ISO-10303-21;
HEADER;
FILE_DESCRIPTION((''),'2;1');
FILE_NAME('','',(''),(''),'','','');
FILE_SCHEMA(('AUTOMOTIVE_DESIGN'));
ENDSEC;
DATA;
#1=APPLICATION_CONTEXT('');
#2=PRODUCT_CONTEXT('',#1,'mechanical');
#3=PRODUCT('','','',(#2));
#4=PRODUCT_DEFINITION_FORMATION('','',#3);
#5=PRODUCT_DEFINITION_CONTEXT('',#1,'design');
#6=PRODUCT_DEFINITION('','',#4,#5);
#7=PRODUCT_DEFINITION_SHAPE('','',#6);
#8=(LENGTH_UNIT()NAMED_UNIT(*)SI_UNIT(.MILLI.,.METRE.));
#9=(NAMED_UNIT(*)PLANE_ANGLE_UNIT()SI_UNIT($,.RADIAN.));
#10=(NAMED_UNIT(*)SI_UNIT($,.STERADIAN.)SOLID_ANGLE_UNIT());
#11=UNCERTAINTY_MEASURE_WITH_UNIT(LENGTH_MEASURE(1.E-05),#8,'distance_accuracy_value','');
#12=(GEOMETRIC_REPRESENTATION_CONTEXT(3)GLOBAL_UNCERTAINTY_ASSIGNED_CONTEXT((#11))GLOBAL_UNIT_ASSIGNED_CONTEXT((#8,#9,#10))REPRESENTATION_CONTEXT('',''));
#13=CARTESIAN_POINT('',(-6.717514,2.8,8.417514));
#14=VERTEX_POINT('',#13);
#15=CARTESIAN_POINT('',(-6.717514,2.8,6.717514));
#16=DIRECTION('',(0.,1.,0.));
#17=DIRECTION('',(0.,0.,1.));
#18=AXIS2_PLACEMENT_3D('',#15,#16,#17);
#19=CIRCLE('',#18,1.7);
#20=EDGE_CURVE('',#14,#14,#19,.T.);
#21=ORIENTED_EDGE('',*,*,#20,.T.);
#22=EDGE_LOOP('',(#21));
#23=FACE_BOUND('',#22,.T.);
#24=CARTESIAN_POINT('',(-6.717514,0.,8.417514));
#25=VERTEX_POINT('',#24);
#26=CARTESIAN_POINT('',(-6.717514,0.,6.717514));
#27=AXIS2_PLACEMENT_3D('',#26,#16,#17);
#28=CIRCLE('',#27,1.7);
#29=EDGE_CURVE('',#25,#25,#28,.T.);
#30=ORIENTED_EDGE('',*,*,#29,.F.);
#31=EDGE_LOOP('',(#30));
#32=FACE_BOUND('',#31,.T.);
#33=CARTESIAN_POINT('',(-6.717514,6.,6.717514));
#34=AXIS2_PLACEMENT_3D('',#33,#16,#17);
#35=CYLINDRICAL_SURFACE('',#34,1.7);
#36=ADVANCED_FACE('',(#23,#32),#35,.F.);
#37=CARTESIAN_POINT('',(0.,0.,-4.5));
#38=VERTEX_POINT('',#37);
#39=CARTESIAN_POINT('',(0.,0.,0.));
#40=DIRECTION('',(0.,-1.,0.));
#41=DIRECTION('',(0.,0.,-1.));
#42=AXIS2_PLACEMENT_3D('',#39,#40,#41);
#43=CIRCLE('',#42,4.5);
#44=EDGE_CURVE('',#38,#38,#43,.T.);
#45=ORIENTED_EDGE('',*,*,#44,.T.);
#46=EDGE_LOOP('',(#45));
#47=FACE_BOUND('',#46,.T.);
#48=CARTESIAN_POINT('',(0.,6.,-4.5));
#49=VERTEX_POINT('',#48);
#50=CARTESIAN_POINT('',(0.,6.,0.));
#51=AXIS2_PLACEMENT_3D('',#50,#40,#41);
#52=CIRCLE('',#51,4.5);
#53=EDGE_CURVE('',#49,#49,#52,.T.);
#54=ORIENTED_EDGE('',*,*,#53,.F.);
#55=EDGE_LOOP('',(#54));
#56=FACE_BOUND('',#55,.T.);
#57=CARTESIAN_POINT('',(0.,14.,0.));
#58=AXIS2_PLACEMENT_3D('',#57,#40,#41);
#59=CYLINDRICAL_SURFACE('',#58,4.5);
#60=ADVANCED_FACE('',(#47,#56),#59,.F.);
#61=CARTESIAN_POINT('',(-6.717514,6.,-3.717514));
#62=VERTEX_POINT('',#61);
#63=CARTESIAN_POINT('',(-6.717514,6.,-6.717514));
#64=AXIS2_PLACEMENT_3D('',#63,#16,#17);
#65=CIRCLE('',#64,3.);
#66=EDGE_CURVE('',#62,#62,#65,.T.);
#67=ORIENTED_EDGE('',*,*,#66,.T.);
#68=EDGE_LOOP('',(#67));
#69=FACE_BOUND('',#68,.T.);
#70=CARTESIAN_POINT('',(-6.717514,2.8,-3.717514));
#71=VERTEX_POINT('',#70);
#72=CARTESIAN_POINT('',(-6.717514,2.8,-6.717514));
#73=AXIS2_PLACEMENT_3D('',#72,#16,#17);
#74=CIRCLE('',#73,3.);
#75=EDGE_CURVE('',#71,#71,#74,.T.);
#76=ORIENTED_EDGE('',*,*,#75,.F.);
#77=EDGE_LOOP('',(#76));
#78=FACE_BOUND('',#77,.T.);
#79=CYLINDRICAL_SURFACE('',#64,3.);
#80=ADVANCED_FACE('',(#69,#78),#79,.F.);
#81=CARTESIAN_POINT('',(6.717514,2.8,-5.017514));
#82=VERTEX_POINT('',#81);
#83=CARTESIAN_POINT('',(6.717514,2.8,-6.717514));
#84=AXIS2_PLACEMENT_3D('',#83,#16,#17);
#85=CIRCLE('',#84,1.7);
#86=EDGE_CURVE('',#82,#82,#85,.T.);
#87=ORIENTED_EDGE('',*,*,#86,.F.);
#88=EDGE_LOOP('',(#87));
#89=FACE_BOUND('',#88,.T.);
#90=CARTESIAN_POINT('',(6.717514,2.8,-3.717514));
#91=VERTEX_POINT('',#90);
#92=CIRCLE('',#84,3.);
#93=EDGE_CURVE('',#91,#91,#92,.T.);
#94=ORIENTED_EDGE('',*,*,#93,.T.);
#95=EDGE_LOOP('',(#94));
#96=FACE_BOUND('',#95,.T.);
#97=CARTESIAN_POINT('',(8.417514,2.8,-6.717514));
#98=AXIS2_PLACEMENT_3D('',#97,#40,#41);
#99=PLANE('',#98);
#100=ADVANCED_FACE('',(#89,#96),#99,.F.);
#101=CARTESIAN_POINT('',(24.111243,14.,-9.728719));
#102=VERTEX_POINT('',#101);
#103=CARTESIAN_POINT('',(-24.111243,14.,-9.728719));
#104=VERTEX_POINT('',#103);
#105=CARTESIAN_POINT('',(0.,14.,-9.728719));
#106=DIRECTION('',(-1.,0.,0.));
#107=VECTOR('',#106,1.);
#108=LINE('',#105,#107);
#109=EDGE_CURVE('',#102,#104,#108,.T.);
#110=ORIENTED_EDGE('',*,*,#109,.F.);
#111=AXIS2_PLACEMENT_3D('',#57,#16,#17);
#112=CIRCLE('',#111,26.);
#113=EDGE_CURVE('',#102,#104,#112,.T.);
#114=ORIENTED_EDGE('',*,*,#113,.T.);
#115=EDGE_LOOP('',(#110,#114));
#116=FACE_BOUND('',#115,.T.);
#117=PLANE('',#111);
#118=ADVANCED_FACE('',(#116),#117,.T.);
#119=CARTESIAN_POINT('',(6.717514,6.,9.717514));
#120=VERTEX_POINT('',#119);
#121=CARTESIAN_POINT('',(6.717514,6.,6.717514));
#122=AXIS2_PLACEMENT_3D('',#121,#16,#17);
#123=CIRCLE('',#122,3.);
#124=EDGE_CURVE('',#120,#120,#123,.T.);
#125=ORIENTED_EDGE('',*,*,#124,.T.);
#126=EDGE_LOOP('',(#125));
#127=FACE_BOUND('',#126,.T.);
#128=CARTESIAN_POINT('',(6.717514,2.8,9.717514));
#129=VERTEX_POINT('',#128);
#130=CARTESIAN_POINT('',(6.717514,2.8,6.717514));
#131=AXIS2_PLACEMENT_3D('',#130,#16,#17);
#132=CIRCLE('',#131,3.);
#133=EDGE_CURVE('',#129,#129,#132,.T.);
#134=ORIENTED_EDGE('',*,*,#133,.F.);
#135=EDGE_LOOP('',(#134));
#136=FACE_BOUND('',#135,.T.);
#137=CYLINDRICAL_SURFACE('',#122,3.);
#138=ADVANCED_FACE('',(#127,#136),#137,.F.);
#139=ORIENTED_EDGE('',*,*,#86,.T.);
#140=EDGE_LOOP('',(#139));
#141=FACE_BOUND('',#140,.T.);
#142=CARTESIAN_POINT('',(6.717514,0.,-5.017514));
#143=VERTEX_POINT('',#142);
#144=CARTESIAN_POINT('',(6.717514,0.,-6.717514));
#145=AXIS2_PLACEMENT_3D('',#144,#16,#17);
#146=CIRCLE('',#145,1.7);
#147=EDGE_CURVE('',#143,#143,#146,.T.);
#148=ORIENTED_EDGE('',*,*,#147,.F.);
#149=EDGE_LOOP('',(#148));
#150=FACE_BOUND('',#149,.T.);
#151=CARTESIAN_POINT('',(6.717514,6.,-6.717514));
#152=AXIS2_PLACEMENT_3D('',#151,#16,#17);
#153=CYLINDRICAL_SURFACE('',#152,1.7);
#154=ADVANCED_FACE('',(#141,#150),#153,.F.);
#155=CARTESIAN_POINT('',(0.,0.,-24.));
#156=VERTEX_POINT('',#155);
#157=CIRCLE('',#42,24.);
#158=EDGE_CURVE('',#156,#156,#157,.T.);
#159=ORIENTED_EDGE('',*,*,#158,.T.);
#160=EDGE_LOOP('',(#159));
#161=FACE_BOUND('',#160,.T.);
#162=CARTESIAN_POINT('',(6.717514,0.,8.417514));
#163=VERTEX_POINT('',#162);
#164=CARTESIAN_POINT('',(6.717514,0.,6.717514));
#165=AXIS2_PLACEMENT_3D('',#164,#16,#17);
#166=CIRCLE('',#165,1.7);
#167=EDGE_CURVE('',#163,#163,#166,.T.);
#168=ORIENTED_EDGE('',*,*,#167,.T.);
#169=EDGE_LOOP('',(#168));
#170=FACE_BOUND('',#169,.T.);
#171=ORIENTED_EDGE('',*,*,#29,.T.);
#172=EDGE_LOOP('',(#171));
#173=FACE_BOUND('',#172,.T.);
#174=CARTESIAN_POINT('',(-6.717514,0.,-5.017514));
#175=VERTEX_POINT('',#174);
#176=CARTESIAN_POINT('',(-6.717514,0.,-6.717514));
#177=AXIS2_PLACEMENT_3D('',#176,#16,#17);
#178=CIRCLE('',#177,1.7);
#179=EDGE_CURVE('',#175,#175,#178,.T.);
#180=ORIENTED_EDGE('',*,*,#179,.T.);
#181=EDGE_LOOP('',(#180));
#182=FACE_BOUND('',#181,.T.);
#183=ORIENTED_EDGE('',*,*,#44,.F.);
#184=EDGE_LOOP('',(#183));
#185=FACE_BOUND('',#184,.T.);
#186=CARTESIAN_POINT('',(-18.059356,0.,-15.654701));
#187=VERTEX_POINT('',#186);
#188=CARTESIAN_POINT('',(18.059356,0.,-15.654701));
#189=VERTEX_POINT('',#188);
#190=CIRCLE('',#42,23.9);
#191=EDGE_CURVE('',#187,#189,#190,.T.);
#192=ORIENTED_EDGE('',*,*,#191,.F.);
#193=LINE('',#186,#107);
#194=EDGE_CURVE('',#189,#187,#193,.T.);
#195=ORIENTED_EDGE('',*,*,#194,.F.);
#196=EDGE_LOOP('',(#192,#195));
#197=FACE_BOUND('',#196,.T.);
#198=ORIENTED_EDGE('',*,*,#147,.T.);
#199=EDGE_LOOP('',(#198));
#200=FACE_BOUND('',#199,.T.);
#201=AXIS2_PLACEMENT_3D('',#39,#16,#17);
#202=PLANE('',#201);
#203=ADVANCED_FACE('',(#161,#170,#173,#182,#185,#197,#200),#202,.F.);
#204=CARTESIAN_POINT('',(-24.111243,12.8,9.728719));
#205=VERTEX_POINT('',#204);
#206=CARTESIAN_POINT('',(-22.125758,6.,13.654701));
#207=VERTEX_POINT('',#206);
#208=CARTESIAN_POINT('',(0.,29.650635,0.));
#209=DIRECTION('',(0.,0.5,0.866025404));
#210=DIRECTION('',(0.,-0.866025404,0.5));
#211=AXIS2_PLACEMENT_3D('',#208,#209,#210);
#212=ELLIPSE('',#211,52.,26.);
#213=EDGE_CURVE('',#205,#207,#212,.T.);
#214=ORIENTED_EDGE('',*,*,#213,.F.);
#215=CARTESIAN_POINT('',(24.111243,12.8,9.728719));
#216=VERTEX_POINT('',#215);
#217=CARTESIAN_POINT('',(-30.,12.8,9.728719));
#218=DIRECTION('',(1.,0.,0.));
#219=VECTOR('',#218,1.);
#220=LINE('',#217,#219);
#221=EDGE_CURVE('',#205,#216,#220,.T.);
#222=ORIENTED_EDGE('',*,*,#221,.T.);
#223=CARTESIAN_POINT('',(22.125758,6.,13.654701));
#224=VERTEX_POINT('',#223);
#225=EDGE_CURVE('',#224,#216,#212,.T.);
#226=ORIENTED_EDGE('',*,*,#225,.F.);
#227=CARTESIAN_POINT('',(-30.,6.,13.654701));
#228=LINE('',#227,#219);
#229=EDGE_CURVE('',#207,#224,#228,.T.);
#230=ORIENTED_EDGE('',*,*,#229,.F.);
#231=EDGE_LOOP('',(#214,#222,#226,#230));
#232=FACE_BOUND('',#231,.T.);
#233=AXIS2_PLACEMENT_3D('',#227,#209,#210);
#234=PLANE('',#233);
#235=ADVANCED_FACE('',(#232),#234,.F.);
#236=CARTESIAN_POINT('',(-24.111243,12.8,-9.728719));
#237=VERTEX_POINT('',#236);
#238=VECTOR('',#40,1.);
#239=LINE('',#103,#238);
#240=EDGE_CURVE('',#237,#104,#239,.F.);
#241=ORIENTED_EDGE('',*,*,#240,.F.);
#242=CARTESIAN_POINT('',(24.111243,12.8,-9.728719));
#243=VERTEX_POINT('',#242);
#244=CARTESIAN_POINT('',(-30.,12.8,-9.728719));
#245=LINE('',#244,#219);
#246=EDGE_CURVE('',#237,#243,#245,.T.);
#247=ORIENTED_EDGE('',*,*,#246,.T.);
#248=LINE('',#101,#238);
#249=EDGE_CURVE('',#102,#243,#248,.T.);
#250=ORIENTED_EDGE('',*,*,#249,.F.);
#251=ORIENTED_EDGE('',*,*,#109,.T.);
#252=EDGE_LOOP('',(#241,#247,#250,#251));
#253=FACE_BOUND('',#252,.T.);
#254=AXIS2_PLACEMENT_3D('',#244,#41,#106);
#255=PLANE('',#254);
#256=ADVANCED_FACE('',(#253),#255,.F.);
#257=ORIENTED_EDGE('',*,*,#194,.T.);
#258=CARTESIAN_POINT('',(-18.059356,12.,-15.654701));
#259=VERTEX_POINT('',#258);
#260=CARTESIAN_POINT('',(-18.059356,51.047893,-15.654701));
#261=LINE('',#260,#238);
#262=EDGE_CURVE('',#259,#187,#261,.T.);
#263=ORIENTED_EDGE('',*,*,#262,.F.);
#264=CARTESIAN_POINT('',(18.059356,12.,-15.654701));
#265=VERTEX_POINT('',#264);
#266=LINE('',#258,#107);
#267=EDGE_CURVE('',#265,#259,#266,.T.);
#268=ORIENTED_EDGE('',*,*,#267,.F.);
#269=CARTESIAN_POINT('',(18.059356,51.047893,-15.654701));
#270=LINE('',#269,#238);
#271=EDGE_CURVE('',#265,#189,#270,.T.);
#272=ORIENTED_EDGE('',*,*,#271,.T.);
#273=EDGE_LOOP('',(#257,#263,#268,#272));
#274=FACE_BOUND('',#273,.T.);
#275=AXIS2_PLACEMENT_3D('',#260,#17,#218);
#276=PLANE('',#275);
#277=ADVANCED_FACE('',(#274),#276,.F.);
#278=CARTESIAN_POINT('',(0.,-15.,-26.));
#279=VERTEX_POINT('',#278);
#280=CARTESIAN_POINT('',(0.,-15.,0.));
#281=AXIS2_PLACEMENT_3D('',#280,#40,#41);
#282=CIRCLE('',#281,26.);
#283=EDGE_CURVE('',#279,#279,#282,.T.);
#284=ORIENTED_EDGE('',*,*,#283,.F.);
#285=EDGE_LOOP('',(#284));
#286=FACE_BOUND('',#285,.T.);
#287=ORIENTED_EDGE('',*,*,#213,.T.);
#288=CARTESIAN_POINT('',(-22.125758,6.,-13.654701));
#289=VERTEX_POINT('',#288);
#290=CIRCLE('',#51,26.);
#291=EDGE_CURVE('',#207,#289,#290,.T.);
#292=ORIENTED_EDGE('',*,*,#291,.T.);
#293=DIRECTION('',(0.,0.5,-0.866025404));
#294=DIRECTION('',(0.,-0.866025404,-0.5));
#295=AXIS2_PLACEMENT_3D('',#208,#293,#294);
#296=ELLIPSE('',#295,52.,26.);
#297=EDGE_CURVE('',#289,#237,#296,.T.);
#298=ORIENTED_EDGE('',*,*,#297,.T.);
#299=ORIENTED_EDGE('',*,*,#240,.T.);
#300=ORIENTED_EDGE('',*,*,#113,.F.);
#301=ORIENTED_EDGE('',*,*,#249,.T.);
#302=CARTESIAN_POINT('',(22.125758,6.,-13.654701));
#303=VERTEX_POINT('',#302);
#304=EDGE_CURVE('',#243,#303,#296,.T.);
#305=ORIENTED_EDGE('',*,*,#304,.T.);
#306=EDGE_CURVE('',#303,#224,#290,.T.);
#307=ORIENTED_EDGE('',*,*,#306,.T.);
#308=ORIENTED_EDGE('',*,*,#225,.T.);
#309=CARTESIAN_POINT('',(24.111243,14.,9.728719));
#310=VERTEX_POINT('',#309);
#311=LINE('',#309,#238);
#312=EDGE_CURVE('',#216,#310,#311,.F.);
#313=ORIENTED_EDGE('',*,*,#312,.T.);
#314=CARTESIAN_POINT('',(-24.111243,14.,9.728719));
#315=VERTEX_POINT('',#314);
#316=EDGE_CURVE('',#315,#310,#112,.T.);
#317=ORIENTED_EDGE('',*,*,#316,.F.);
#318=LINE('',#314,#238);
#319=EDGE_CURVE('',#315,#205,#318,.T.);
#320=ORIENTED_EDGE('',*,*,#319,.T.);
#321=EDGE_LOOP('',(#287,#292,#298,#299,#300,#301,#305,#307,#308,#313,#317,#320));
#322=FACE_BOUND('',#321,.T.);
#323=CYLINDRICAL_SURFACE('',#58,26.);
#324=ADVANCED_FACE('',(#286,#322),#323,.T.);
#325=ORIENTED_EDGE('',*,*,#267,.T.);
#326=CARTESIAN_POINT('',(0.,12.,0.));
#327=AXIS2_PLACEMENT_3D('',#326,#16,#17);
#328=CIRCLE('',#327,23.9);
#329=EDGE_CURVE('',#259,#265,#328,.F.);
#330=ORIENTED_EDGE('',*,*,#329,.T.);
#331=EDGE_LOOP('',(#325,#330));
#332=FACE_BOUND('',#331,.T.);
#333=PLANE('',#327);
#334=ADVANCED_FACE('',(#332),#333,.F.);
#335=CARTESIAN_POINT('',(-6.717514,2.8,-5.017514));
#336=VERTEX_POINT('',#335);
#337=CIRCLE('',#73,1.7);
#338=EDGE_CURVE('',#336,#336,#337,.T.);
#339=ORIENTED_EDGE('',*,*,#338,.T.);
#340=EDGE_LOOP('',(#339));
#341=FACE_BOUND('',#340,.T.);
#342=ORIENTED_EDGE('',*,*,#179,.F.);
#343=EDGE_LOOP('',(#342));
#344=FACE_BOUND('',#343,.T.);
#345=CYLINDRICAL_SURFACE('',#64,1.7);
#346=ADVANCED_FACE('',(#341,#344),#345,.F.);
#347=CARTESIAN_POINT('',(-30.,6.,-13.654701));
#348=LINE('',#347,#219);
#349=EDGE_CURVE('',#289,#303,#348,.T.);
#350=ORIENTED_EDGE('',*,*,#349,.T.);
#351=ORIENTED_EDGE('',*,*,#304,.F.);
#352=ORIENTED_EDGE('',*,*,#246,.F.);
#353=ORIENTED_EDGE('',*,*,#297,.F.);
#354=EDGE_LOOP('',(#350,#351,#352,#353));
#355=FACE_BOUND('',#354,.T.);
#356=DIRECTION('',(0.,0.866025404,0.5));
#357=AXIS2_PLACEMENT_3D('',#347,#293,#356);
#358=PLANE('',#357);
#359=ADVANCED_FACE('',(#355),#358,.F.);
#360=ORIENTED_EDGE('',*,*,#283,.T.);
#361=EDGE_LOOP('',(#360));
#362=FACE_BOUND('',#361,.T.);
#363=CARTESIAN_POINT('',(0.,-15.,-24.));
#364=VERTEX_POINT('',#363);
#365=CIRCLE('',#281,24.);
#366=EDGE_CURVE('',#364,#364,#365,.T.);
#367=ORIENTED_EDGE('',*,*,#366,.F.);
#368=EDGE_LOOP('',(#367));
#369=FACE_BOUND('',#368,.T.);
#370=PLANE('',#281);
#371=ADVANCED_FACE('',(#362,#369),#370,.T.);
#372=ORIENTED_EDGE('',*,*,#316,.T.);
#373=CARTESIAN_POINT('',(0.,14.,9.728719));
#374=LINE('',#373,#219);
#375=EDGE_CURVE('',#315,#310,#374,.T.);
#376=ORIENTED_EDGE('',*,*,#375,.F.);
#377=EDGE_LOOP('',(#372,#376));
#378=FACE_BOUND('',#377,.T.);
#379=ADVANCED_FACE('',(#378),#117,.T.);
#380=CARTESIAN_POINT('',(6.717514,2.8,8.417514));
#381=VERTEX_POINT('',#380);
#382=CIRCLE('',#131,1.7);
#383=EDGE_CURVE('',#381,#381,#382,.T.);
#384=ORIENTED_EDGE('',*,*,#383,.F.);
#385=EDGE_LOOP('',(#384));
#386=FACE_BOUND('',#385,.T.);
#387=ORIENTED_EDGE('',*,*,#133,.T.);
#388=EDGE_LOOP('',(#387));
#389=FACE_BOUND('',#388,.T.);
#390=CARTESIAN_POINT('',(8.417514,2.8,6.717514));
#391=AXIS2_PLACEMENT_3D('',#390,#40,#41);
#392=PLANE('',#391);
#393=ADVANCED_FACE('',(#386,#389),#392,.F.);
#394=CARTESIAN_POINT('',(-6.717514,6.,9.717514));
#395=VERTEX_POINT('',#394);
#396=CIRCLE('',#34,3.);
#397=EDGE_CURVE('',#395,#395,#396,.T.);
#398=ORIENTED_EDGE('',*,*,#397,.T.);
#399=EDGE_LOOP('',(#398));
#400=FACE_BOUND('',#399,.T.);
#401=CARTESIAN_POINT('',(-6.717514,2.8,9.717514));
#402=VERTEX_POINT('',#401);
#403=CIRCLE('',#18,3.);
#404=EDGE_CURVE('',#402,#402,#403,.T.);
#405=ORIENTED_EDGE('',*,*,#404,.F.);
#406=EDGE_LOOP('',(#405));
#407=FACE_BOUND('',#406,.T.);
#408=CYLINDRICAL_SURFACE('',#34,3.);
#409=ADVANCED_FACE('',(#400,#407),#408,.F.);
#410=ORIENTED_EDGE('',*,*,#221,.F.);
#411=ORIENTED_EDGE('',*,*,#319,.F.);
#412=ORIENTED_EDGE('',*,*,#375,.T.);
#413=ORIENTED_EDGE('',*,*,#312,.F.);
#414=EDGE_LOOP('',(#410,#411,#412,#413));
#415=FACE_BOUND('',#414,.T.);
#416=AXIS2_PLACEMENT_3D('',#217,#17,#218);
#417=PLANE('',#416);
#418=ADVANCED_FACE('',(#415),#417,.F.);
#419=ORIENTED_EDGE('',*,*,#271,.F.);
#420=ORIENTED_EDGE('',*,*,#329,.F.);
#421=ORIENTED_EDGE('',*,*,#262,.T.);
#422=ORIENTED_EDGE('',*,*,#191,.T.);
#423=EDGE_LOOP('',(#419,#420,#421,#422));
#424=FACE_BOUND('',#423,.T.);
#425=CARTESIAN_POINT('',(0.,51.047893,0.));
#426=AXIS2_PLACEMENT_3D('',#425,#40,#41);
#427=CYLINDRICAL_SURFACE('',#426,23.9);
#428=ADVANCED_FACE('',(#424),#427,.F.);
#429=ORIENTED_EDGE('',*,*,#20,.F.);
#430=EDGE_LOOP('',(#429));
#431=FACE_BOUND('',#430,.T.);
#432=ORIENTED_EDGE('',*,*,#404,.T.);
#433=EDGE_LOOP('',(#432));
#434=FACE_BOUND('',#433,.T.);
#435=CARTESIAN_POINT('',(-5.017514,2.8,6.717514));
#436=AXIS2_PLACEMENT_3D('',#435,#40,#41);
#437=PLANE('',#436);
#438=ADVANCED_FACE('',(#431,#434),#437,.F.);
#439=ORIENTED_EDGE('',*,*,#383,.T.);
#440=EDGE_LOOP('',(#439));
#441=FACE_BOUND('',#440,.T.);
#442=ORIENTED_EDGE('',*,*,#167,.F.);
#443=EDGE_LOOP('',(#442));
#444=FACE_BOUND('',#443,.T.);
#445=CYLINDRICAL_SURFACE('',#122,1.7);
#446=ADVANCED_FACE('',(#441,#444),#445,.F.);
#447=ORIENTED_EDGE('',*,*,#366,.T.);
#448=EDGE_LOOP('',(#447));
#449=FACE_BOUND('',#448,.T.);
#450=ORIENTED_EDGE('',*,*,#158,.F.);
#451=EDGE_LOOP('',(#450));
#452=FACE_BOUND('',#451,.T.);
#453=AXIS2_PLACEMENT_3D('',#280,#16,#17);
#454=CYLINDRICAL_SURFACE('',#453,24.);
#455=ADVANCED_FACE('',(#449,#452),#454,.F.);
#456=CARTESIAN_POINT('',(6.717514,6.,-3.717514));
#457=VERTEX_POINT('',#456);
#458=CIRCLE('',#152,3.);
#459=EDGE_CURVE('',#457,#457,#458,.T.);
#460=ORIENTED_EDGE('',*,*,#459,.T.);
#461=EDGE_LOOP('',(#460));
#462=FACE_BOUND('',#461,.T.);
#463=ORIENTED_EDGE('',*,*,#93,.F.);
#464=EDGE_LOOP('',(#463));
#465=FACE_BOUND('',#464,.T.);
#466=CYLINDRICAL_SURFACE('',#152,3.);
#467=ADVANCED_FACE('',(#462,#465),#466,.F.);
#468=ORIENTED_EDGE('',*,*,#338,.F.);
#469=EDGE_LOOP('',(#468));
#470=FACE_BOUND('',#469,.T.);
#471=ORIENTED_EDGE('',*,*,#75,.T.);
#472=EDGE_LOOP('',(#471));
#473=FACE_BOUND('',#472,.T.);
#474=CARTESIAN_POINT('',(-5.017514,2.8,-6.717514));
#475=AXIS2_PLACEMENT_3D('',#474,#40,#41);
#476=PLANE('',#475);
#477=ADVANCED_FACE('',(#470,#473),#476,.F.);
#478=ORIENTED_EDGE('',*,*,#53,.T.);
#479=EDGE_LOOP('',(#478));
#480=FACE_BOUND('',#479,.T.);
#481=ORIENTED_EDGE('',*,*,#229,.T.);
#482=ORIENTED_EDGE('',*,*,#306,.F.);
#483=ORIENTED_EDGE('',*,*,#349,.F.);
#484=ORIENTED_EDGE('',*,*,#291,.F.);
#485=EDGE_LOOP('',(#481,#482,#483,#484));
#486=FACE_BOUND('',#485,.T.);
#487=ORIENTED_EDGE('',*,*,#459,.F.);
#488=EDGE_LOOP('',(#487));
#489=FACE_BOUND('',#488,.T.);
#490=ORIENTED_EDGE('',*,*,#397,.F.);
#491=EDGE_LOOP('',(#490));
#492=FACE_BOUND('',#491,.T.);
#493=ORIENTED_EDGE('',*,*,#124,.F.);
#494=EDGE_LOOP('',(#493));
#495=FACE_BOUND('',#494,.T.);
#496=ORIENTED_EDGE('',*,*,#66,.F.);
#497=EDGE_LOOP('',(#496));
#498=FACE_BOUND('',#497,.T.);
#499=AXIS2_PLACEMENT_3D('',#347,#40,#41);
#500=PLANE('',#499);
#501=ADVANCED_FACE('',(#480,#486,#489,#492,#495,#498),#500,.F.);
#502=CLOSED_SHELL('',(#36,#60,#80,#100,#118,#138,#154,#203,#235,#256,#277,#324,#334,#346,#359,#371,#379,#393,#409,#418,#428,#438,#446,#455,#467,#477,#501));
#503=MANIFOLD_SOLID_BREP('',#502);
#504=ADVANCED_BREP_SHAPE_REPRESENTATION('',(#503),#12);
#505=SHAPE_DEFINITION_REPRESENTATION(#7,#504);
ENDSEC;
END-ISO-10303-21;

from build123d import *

# Parameters (mm, degrees)
SKETCH_1_R                  = 26
EXTRUDE_1_DEPTH             = 14
CUT_EXTRUDE_1_DEPTH         = 30
SKETCH_4_R                  = 4.5
CUT_EXTRUDE_2_DEPTH         = 40.344631146
CUT_EXTRUDE_3_DEPTH         = 12
HOLE_WIZARD_M31_D           = 3.4
HOLE_WIZARD_M31_CBORE_D     = 6
HOLE_WIZARD_M31_CBORE_DEPTH = 3.2
EXTRUDE_START               = 15
SKETCH_12_R                 = 26
SKETCH_12_R_2               = 24
EXTRUDE_2_DEPTH             = 15


with BuildPart() as part:
    # Эскиз1 → Бобышка-Вытянуть1 (new body)
    with BuildSketch(Plane(origin=(0, 0, 0), x_dir=(1, 0, 0), z_dir=(0, 1, 0))):
        with Locations(Location((0, 0, 0), (0, 0, 270))):
            Circle(SKETCH_1_R)
    extrude(amount=EXTRUDE_1_DEPTH)

    # Эскиз2 → Вырез-Вытянуть1 (cut, symmetric)
    with BuildSketch(Plane(origin=(0, 0, 0), x_dir=(0, 0, -1), z_dir=(1, 0, 0))):
        Polygon((13.654700538, 6), (-13.654700538, 6), (-9.728718708, 12.8), (-9.728718708, 14), (9.728718708, 14), (9.728718708, 12.8), align=None)
    extrude(amount=CUT_EXTRUDE_1_DEPTH, both=True, mode=Mode.SUBTRACT)

    # Эскиз4 → Вырез-Вытянуть2 (cut, through all)
    with BuildSketch(Plane.XZ):
        with Locations(Location((0, 0, 0), (0, 0, 270))):
            Circle(SKETCH_4_R)
    extrude(amount=-CUT_EXTRUDE_2_DEPTH, mode=Mode.SUBTRACT)

    # Эскиз5 → Вырез-Вытянуть3 (cut)
    with BuildSketch(Plane.XZ):
        with BuildLine():
            Line((-18.05935633, -15.654700538), (18.05935633, -15.654700538))
            ThreePointArc((18.05935633, -15.654700538), (0, -23.9), (-18.05935633, -15.654700538))
        make_face()
    extrude(amount=-CUT_EXTRUDE_3_DEPTH, mode=Mode.SUBTRACT)

    # Цековка для винта с внутренним шестигранником M31 (through all)
    with Locations(Plane(origin=(0, 6, 0), x_dir=(1, 0, 0), z_dir=(0, 1, 0))):
        with Locations((-6.717514421, 6.717514421), (6.717514421, 6.717514421), (6.717514421, -6.717514421), (-6.717514421, -6.717514421)):
            CounterBoreHole(HOLE_WIZARD_M31_D / 2, HOLE_WIZARD_M31_CBORE_D / 2, HOLE_WIZARD_M31_CBORE_DEPTH)

    # Эскиз12 → Бобышка-Вытянуть2 (add)
    with BuildSketch(Plane.XZ.offset(EXTRUDE_START)):
        with Locations(Location((0, 0, 0), (0, 0, 270))):
            Circle(SKETCH_12_R)
        with Locations(Location((0, 0, 0), (0, 0, 270))):
            Circle(SKETCH_12_R_2, mode=Mode.SUBTRACT)
    extrude(amount=-EXTRUDE_2_DEPTH)


solid = part.part
